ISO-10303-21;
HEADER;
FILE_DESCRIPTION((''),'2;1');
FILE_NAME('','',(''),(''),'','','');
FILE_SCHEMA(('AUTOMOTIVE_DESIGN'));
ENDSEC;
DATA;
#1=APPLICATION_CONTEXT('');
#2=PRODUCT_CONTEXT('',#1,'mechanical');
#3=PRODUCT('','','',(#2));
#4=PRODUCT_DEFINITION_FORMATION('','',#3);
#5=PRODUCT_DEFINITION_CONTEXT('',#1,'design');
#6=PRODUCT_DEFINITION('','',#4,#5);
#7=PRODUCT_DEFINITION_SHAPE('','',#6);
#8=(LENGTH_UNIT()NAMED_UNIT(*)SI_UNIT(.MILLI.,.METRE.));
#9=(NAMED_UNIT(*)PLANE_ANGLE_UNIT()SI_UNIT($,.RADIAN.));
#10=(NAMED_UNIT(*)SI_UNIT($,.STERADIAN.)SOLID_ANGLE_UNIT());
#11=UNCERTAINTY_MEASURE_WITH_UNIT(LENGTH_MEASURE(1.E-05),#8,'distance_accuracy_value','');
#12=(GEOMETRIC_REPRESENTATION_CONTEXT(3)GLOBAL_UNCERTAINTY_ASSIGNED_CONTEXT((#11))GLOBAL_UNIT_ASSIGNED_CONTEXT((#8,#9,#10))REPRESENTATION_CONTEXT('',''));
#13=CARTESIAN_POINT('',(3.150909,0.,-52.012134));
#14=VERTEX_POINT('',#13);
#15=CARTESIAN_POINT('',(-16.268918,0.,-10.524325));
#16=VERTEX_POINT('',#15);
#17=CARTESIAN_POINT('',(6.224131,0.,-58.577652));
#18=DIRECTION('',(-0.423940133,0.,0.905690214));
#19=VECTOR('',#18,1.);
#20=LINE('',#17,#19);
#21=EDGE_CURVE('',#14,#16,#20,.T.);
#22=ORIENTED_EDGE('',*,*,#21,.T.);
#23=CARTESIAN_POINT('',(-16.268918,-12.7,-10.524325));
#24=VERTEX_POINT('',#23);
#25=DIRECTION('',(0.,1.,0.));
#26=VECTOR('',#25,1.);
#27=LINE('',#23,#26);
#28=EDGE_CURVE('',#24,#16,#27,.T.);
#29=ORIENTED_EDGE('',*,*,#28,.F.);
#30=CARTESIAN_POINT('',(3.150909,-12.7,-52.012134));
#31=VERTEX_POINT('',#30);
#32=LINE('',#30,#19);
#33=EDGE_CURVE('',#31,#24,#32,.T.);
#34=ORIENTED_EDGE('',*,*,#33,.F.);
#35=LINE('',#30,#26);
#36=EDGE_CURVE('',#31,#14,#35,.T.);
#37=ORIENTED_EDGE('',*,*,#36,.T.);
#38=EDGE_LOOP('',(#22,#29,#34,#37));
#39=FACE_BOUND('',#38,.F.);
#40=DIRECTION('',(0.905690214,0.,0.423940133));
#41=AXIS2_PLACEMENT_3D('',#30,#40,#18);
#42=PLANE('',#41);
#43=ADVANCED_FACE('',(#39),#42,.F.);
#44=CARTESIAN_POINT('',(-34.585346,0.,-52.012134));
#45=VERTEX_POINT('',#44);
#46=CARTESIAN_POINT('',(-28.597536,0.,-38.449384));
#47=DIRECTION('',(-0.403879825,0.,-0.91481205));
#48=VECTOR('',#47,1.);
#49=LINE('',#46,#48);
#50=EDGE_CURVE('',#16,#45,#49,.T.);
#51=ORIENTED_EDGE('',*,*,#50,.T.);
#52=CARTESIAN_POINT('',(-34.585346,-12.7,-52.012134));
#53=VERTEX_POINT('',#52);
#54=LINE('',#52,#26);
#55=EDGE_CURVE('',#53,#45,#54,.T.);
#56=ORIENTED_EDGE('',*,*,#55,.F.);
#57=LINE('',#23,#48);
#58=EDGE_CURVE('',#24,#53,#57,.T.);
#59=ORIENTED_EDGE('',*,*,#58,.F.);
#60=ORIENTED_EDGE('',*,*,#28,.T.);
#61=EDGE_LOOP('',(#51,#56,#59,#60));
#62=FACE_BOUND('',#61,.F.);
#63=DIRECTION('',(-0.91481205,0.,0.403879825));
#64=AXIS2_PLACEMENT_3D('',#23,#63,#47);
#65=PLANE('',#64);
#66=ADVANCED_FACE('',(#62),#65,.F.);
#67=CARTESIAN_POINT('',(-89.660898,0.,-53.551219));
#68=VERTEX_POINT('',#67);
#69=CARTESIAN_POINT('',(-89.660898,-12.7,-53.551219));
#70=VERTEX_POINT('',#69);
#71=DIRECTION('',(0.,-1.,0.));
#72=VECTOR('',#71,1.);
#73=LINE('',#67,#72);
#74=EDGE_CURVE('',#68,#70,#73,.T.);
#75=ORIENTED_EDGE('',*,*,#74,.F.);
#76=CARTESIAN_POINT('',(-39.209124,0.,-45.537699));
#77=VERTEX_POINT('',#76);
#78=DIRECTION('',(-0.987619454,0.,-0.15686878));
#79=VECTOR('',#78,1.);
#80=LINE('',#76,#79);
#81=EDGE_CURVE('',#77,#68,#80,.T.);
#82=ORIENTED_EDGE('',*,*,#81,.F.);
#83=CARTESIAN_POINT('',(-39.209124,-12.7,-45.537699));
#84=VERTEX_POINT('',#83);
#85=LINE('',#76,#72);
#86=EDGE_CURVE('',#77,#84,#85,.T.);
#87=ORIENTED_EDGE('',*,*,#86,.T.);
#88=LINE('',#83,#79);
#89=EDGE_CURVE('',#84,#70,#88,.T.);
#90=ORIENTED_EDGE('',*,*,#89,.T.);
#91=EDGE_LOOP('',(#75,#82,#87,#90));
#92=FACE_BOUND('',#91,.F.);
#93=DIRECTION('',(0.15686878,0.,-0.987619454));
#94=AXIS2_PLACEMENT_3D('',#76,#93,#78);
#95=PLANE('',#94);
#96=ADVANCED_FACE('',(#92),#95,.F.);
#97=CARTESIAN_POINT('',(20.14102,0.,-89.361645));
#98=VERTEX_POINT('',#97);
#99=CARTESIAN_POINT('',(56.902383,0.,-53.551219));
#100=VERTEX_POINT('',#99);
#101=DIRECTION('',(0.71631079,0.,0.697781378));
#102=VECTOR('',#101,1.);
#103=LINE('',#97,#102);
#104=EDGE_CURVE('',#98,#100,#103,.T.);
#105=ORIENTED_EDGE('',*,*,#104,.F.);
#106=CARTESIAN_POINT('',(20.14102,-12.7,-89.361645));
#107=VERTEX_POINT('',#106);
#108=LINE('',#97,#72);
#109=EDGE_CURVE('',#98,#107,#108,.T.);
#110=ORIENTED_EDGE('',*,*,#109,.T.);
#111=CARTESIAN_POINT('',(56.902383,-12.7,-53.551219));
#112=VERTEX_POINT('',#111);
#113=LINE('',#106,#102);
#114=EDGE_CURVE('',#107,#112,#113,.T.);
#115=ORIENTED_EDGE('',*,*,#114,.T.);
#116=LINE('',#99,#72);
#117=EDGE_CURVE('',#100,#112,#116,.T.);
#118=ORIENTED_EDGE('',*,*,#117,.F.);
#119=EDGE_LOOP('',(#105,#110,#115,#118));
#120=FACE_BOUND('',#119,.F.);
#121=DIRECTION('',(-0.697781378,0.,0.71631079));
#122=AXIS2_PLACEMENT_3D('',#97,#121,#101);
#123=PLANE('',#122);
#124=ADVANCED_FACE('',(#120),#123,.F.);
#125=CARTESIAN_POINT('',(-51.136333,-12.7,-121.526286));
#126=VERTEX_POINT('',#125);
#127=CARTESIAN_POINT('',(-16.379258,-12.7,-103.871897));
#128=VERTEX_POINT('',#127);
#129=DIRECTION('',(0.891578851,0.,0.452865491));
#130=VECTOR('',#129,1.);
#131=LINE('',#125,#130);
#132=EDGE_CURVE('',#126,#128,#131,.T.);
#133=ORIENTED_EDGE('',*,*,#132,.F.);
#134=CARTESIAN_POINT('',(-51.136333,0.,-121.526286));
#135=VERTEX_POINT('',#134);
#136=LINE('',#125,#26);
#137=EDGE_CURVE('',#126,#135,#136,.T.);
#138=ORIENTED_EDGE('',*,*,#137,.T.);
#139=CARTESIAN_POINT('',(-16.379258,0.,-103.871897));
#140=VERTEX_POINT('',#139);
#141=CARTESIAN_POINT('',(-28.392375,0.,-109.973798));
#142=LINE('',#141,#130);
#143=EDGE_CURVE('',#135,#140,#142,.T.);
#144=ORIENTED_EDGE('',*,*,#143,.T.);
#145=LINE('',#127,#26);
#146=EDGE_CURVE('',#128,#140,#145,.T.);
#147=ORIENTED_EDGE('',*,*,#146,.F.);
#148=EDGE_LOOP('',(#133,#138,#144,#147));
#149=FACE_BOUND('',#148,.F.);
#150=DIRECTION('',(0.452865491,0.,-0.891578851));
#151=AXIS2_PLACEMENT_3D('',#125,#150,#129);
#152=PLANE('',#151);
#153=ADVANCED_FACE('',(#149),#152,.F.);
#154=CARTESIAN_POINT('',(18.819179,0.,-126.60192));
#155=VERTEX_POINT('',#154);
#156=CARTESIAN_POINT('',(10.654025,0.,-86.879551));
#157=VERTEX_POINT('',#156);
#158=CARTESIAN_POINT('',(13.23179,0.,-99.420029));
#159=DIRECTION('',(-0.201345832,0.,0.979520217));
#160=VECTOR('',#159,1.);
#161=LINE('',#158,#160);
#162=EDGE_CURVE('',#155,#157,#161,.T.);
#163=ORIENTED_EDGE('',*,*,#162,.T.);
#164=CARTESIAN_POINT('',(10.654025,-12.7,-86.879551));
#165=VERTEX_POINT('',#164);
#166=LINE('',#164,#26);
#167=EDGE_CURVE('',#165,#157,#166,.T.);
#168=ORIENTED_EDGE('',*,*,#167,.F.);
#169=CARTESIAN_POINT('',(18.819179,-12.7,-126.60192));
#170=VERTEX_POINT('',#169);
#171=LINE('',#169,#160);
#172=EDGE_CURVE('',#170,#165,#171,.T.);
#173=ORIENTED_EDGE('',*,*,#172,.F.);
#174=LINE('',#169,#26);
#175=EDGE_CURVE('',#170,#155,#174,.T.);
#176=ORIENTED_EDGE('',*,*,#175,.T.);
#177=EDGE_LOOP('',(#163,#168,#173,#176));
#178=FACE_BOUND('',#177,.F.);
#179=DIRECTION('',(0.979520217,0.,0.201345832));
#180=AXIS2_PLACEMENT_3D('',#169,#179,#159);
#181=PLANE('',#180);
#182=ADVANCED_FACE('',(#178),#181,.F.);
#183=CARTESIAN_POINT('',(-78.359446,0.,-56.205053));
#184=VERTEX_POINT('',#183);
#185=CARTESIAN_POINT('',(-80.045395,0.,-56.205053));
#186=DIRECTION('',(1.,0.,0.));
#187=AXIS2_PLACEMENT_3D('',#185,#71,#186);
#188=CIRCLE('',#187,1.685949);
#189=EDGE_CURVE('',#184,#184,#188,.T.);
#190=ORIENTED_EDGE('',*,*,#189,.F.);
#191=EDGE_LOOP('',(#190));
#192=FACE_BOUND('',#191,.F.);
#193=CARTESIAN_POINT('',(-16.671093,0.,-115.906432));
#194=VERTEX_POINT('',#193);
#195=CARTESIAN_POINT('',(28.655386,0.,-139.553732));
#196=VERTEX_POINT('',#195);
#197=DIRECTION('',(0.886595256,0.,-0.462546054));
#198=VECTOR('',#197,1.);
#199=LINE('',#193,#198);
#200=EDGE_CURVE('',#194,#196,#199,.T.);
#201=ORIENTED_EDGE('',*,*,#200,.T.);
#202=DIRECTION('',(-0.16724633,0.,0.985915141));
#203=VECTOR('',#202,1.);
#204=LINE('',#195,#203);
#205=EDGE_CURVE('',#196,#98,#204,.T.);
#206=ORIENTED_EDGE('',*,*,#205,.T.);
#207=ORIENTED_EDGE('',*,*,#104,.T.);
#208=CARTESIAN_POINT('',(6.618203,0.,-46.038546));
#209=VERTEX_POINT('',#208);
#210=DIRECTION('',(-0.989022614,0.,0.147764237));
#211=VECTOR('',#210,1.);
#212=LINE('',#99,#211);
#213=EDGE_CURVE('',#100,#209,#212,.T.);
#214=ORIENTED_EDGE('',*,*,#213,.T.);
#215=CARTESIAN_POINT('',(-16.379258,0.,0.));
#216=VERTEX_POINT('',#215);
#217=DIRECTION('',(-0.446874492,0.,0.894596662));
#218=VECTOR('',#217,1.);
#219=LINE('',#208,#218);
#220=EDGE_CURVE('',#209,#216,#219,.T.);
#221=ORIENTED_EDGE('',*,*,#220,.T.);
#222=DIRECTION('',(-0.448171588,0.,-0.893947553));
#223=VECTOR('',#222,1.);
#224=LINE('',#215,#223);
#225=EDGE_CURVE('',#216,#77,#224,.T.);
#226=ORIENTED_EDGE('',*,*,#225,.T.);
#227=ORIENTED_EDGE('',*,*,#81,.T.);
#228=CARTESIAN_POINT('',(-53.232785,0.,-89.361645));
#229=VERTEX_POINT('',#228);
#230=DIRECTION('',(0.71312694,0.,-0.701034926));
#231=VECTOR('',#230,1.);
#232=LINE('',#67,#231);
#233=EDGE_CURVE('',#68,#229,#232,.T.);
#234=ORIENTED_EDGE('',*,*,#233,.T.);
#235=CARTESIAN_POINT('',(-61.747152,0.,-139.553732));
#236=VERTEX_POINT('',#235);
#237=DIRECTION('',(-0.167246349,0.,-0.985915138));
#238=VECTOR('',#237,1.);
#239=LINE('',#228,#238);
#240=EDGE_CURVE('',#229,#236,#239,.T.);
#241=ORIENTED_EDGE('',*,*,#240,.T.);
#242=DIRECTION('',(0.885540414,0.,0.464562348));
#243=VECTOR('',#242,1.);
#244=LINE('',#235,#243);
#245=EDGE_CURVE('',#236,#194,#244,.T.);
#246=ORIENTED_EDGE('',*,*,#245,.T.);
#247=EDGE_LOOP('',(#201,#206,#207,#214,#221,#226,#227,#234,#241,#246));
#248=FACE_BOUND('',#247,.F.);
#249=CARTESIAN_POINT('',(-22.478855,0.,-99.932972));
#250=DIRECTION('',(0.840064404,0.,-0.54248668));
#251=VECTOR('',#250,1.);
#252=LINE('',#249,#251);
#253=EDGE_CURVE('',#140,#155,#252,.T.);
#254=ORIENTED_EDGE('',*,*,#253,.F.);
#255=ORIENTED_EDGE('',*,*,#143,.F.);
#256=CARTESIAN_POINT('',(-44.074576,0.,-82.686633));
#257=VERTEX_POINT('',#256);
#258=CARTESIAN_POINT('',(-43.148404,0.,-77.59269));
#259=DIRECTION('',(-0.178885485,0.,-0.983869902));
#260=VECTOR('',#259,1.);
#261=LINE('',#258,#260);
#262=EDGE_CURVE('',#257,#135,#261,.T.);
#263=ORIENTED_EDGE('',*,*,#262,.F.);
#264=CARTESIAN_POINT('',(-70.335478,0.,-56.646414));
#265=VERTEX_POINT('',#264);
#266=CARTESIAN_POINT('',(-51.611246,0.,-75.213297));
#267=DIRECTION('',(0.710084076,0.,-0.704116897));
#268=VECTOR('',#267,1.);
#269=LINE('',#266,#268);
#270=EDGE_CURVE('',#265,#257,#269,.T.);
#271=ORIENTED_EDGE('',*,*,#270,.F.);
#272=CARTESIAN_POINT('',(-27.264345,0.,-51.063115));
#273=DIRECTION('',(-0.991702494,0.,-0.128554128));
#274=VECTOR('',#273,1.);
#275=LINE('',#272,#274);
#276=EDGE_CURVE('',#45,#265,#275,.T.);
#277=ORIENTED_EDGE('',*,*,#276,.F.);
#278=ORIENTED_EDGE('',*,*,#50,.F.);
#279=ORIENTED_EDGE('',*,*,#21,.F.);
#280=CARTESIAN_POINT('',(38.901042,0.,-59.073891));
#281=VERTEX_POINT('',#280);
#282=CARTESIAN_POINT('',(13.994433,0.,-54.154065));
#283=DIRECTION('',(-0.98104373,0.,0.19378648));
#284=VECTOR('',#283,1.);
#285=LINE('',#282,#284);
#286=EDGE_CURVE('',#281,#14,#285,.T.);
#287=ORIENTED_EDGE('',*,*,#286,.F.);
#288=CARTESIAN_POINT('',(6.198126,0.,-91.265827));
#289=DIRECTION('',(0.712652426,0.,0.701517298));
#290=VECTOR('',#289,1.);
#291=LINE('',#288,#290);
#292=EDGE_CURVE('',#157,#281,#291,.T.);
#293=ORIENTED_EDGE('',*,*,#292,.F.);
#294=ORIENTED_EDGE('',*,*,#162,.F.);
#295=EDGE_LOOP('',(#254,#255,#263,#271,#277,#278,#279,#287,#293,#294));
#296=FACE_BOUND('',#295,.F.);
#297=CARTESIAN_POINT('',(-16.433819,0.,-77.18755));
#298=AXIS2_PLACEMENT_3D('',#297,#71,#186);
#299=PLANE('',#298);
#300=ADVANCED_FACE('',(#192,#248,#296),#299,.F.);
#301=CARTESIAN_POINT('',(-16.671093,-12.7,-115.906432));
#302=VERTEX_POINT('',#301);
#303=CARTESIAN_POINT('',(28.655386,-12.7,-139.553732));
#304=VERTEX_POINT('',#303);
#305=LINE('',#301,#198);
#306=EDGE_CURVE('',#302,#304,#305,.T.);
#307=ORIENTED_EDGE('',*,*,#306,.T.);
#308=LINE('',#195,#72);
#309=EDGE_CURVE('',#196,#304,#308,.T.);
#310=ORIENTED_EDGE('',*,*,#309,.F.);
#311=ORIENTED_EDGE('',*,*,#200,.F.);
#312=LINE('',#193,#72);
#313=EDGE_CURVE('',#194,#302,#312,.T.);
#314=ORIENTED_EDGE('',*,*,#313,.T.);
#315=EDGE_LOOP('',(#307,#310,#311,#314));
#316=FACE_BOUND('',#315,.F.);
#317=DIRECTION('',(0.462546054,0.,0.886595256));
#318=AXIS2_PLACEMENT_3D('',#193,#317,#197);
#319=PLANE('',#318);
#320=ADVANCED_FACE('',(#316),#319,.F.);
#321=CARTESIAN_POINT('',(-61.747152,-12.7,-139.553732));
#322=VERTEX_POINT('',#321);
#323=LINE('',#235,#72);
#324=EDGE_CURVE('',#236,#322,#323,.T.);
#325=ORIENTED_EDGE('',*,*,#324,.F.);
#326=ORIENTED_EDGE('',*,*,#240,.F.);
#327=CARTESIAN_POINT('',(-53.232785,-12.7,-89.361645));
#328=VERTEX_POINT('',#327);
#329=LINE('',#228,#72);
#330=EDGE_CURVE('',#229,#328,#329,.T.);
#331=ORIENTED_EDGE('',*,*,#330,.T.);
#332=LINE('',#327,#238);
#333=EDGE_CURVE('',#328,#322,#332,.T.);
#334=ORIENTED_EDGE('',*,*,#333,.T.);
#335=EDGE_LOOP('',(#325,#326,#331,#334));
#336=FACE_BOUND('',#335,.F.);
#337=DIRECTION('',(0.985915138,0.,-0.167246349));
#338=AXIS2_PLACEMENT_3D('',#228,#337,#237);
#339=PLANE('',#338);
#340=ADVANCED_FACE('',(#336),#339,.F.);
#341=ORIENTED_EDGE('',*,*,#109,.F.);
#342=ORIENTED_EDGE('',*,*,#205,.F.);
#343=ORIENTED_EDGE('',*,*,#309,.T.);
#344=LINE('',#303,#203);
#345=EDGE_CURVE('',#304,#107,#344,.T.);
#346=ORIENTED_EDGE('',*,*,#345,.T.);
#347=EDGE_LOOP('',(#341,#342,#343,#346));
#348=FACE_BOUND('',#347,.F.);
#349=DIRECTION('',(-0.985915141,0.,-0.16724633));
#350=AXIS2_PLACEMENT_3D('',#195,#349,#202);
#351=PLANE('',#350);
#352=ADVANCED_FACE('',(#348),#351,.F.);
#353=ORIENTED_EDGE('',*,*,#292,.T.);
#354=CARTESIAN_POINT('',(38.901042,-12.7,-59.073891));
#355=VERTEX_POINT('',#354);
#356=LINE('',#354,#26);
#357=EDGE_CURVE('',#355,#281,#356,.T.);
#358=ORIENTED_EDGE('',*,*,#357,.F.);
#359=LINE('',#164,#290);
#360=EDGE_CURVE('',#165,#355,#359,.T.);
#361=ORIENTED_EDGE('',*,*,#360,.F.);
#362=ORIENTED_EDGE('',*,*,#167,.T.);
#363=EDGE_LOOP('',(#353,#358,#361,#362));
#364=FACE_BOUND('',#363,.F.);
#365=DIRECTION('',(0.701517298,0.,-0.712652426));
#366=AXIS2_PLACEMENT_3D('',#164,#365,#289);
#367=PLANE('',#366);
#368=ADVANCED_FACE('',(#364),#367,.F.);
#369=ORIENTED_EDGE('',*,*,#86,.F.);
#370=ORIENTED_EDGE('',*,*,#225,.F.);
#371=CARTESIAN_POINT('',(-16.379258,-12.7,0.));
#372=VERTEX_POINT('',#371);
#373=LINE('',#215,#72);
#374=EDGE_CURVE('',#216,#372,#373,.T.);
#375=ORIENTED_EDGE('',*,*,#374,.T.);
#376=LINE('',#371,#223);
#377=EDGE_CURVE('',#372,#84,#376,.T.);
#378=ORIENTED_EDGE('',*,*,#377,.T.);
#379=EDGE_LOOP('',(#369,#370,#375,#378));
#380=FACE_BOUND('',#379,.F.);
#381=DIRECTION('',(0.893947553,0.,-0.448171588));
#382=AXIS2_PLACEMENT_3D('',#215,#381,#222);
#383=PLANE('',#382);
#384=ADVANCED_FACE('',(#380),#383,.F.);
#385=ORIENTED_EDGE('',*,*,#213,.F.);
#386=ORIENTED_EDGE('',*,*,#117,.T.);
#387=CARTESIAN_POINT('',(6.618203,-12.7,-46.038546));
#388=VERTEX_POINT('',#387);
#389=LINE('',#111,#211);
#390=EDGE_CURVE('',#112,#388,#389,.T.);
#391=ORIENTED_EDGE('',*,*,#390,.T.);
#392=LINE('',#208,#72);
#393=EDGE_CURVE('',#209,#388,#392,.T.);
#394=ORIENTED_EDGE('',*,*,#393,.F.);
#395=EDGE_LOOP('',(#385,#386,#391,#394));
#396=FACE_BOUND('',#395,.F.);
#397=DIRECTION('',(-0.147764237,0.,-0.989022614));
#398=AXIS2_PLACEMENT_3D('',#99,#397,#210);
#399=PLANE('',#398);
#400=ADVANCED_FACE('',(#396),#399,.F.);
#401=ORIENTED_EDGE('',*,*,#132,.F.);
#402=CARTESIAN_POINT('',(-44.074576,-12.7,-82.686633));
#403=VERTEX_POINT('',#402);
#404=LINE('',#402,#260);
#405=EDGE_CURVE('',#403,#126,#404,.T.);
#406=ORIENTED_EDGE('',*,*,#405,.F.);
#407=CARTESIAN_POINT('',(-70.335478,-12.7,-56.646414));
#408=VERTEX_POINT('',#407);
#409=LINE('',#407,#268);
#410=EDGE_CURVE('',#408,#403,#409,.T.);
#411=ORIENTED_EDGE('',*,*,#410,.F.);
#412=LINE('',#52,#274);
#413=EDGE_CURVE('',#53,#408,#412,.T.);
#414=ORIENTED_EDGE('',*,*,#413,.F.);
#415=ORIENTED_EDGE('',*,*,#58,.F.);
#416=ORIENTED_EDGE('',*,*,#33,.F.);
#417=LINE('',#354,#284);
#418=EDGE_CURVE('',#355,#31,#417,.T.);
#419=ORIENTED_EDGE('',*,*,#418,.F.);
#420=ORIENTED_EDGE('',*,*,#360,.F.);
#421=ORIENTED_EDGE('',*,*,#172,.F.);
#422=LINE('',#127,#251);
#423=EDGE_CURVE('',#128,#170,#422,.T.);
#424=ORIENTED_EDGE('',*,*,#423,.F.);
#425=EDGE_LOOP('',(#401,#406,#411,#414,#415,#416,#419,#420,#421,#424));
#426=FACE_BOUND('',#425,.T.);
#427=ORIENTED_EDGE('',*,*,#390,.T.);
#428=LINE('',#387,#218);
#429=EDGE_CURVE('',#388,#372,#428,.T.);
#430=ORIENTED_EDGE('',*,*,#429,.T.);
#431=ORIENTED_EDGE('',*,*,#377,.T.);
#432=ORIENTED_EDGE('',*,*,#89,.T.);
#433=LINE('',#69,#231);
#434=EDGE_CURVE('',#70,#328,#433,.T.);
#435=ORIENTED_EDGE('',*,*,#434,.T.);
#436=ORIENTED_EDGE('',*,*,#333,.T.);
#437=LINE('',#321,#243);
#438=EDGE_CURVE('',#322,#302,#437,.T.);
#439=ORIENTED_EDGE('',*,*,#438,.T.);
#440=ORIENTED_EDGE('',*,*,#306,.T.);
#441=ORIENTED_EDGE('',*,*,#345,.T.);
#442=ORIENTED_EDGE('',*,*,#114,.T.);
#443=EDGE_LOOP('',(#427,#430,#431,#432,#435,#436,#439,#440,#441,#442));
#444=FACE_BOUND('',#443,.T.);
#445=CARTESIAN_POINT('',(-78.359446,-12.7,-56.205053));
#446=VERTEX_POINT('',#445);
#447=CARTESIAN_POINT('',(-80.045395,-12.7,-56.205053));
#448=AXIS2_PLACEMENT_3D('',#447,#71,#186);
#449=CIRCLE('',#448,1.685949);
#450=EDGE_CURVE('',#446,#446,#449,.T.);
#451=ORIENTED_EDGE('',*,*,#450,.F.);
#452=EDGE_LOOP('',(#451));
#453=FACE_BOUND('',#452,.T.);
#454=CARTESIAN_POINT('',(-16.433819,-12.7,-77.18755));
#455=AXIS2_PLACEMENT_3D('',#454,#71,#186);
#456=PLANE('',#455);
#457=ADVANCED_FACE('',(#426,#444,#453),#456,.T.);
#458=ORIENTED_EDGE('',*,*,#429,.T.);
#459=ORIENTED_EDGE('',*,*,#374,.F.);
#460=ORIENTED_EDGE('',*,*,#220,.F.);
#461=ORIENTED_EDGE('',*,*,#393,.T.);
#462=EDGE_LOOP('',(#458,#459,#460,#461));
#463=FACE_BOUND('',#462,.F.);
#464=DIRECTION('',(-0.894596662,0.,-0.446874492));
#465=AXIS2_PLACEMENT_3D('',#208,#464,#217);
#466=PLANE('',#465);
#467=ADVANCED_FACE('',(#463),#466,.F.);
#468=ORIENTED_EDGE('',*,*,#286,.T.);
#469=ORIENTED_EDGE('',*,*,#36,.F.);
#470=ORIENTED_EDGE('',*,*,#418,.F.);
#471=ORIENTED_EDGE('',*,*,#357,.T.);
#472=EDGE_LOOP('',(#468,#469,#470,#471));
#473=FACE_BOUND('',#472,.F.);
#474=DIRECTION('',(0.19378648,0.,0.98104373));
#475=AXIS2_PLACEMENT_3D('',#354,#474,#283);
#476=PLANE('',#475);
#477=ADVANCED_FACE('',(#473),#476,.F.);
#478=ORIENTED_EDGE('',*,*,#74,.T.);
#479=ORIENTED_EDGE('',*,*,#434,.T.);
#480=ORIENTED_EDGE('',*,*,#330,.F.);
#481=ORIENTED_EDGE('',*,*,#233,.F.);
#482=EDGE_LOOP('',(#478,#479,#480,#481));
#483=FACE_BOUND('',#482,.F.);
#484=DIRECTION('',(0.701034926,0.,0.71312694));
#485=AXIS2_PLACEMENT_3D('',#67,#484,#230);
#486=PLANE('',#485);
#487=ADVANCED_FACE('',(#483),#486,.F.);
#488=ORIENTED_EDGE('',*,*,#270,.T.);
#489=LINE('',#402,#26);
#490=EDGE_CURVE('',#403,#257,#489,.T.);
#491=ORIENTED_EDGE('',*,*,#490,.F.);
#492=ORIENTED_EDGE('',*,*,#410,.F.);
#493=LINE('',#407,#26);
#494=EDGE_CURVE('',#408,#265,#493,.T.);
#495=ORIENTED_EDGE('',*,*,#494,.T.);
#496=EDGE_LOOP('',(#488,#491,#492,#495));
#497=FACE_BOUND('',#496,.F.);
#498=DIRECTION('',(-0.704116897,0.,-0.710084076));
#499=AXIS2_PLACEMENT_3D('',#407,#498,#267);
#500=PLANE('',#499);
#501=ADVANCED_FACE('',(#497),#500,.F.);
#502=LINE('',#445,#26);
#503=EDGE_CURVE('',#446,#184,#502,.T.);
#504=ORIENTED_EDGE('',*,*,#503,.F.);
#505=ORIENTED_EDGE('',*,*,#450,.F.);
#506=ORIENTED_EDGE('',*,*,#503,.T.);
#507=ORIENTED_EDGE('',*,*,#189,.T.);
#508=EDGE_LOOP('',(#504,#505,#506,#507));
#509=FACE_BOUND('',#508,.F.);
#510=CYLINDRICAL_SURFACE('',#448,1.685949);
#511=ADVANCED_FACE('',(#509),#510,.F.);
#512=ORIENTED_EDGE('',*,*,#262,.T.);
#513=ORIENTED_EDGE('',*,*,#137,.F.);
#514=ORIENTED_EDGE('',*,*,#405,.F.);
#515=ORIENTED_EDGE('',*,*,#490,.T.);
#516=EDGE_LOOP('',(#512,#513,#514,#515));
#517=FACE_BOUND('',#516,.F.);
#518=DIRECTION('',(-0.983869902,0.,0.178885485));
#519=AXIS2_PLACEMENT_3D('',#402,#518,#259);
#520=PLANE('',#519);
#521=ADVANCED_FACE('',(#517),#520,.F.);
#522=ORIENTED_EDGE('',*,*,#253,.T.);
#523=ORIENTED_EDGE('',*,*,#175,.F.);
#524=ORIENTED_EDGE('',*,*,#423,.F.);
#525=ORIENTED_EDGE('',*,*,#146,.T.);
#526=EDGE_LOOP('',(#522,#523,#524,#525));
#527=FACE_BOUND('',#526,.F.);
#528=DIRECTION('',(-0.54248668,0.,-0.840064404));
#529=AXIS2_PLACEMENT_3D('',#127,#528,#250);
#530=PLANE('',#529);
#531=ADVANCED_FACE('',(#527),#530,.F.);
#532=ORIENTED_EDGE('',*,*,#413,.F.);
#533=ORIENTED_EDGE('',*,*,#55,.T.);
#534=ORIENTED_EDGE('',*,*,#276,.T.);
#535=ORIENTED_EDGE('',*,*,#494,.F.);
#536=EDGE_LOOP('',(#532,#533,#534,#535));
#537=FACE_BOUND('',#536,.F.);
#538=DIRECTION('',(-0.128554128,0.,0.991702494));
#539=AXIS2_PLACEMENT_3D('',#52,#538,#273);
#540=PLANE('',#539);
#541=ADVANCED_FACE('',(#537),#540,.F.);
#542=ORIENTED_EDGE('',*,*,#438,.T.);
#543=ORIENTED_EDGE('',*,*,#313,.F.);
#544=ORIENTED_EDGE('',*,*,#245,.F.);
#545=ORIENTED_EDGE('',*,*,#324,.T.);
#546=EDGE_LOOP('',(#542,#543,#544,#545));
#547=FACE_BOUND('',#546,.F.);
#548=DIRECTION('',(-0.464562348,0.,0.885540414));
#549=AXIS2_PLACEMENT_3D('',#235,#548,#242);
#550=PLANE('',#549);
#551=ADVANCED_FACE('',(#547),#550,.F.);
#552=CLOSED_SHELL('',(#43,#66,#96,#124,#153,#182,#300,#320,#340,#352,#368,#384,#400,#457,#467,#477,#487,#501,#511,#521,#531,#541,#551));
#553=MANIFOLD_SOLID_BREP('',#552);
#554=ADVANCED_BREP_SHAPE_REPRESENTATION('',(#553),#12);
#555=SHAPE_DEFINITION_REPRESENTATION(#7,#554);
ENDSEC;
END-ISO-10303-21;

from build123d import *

# Parameters (mm, degrees)
F1_DEPTH = 12.7
F3_DEPTH = 25.4
F4_R     = 1.685949
F5_DEPTH = 25.4


with BuildPart() as f1:
    # F0 (on Front) → F1 (new body)
    with BuildSketch(Plane.XZ):
        Polygon((6.618203, -46.038546), (-16.379258, 0), (-39.209124, -45.537699), (-89.660898, -53.551219), (-53.232785, -89.361645), (-61.747152, -139.553732), (-16.671093, -115.906432), (28.655386, -139.553732), (20.14102, -89.361645), (56.902383, -53.551219), align=None)
    extrude(amount=F1_DEPTH)

    # F2 (on face) → F3 (cut)
    with BuildSketch(Plane.XZ.offset(12.7)):
        Polygon((3.150909, -52.012134), (-16.268918, -10.524325), (-34.585346, -52.012134), (-70.335478, -56.646414), (-44.074576, -82.686633), (-51.136333, -121.526286), (-16.379258, -103.871897), (18.819179, -126.60192), (10.654025, -86.879551), (38.901042, -59.073891), align=None)
    extrude(amount=-F3_DEPTH, mode=Mode.SUBTRACT)

    # F4 (on face) → F5 (cut)
    with BuildSketch(Plane.XZ.offset(12.7)):
        with Locations((-80.045395, -56.205053)):
            Circle(F4_R)
    extrude(amount=-F5_DEPTH, mode=Mode.SUBTRACT)


solid = f1.part
